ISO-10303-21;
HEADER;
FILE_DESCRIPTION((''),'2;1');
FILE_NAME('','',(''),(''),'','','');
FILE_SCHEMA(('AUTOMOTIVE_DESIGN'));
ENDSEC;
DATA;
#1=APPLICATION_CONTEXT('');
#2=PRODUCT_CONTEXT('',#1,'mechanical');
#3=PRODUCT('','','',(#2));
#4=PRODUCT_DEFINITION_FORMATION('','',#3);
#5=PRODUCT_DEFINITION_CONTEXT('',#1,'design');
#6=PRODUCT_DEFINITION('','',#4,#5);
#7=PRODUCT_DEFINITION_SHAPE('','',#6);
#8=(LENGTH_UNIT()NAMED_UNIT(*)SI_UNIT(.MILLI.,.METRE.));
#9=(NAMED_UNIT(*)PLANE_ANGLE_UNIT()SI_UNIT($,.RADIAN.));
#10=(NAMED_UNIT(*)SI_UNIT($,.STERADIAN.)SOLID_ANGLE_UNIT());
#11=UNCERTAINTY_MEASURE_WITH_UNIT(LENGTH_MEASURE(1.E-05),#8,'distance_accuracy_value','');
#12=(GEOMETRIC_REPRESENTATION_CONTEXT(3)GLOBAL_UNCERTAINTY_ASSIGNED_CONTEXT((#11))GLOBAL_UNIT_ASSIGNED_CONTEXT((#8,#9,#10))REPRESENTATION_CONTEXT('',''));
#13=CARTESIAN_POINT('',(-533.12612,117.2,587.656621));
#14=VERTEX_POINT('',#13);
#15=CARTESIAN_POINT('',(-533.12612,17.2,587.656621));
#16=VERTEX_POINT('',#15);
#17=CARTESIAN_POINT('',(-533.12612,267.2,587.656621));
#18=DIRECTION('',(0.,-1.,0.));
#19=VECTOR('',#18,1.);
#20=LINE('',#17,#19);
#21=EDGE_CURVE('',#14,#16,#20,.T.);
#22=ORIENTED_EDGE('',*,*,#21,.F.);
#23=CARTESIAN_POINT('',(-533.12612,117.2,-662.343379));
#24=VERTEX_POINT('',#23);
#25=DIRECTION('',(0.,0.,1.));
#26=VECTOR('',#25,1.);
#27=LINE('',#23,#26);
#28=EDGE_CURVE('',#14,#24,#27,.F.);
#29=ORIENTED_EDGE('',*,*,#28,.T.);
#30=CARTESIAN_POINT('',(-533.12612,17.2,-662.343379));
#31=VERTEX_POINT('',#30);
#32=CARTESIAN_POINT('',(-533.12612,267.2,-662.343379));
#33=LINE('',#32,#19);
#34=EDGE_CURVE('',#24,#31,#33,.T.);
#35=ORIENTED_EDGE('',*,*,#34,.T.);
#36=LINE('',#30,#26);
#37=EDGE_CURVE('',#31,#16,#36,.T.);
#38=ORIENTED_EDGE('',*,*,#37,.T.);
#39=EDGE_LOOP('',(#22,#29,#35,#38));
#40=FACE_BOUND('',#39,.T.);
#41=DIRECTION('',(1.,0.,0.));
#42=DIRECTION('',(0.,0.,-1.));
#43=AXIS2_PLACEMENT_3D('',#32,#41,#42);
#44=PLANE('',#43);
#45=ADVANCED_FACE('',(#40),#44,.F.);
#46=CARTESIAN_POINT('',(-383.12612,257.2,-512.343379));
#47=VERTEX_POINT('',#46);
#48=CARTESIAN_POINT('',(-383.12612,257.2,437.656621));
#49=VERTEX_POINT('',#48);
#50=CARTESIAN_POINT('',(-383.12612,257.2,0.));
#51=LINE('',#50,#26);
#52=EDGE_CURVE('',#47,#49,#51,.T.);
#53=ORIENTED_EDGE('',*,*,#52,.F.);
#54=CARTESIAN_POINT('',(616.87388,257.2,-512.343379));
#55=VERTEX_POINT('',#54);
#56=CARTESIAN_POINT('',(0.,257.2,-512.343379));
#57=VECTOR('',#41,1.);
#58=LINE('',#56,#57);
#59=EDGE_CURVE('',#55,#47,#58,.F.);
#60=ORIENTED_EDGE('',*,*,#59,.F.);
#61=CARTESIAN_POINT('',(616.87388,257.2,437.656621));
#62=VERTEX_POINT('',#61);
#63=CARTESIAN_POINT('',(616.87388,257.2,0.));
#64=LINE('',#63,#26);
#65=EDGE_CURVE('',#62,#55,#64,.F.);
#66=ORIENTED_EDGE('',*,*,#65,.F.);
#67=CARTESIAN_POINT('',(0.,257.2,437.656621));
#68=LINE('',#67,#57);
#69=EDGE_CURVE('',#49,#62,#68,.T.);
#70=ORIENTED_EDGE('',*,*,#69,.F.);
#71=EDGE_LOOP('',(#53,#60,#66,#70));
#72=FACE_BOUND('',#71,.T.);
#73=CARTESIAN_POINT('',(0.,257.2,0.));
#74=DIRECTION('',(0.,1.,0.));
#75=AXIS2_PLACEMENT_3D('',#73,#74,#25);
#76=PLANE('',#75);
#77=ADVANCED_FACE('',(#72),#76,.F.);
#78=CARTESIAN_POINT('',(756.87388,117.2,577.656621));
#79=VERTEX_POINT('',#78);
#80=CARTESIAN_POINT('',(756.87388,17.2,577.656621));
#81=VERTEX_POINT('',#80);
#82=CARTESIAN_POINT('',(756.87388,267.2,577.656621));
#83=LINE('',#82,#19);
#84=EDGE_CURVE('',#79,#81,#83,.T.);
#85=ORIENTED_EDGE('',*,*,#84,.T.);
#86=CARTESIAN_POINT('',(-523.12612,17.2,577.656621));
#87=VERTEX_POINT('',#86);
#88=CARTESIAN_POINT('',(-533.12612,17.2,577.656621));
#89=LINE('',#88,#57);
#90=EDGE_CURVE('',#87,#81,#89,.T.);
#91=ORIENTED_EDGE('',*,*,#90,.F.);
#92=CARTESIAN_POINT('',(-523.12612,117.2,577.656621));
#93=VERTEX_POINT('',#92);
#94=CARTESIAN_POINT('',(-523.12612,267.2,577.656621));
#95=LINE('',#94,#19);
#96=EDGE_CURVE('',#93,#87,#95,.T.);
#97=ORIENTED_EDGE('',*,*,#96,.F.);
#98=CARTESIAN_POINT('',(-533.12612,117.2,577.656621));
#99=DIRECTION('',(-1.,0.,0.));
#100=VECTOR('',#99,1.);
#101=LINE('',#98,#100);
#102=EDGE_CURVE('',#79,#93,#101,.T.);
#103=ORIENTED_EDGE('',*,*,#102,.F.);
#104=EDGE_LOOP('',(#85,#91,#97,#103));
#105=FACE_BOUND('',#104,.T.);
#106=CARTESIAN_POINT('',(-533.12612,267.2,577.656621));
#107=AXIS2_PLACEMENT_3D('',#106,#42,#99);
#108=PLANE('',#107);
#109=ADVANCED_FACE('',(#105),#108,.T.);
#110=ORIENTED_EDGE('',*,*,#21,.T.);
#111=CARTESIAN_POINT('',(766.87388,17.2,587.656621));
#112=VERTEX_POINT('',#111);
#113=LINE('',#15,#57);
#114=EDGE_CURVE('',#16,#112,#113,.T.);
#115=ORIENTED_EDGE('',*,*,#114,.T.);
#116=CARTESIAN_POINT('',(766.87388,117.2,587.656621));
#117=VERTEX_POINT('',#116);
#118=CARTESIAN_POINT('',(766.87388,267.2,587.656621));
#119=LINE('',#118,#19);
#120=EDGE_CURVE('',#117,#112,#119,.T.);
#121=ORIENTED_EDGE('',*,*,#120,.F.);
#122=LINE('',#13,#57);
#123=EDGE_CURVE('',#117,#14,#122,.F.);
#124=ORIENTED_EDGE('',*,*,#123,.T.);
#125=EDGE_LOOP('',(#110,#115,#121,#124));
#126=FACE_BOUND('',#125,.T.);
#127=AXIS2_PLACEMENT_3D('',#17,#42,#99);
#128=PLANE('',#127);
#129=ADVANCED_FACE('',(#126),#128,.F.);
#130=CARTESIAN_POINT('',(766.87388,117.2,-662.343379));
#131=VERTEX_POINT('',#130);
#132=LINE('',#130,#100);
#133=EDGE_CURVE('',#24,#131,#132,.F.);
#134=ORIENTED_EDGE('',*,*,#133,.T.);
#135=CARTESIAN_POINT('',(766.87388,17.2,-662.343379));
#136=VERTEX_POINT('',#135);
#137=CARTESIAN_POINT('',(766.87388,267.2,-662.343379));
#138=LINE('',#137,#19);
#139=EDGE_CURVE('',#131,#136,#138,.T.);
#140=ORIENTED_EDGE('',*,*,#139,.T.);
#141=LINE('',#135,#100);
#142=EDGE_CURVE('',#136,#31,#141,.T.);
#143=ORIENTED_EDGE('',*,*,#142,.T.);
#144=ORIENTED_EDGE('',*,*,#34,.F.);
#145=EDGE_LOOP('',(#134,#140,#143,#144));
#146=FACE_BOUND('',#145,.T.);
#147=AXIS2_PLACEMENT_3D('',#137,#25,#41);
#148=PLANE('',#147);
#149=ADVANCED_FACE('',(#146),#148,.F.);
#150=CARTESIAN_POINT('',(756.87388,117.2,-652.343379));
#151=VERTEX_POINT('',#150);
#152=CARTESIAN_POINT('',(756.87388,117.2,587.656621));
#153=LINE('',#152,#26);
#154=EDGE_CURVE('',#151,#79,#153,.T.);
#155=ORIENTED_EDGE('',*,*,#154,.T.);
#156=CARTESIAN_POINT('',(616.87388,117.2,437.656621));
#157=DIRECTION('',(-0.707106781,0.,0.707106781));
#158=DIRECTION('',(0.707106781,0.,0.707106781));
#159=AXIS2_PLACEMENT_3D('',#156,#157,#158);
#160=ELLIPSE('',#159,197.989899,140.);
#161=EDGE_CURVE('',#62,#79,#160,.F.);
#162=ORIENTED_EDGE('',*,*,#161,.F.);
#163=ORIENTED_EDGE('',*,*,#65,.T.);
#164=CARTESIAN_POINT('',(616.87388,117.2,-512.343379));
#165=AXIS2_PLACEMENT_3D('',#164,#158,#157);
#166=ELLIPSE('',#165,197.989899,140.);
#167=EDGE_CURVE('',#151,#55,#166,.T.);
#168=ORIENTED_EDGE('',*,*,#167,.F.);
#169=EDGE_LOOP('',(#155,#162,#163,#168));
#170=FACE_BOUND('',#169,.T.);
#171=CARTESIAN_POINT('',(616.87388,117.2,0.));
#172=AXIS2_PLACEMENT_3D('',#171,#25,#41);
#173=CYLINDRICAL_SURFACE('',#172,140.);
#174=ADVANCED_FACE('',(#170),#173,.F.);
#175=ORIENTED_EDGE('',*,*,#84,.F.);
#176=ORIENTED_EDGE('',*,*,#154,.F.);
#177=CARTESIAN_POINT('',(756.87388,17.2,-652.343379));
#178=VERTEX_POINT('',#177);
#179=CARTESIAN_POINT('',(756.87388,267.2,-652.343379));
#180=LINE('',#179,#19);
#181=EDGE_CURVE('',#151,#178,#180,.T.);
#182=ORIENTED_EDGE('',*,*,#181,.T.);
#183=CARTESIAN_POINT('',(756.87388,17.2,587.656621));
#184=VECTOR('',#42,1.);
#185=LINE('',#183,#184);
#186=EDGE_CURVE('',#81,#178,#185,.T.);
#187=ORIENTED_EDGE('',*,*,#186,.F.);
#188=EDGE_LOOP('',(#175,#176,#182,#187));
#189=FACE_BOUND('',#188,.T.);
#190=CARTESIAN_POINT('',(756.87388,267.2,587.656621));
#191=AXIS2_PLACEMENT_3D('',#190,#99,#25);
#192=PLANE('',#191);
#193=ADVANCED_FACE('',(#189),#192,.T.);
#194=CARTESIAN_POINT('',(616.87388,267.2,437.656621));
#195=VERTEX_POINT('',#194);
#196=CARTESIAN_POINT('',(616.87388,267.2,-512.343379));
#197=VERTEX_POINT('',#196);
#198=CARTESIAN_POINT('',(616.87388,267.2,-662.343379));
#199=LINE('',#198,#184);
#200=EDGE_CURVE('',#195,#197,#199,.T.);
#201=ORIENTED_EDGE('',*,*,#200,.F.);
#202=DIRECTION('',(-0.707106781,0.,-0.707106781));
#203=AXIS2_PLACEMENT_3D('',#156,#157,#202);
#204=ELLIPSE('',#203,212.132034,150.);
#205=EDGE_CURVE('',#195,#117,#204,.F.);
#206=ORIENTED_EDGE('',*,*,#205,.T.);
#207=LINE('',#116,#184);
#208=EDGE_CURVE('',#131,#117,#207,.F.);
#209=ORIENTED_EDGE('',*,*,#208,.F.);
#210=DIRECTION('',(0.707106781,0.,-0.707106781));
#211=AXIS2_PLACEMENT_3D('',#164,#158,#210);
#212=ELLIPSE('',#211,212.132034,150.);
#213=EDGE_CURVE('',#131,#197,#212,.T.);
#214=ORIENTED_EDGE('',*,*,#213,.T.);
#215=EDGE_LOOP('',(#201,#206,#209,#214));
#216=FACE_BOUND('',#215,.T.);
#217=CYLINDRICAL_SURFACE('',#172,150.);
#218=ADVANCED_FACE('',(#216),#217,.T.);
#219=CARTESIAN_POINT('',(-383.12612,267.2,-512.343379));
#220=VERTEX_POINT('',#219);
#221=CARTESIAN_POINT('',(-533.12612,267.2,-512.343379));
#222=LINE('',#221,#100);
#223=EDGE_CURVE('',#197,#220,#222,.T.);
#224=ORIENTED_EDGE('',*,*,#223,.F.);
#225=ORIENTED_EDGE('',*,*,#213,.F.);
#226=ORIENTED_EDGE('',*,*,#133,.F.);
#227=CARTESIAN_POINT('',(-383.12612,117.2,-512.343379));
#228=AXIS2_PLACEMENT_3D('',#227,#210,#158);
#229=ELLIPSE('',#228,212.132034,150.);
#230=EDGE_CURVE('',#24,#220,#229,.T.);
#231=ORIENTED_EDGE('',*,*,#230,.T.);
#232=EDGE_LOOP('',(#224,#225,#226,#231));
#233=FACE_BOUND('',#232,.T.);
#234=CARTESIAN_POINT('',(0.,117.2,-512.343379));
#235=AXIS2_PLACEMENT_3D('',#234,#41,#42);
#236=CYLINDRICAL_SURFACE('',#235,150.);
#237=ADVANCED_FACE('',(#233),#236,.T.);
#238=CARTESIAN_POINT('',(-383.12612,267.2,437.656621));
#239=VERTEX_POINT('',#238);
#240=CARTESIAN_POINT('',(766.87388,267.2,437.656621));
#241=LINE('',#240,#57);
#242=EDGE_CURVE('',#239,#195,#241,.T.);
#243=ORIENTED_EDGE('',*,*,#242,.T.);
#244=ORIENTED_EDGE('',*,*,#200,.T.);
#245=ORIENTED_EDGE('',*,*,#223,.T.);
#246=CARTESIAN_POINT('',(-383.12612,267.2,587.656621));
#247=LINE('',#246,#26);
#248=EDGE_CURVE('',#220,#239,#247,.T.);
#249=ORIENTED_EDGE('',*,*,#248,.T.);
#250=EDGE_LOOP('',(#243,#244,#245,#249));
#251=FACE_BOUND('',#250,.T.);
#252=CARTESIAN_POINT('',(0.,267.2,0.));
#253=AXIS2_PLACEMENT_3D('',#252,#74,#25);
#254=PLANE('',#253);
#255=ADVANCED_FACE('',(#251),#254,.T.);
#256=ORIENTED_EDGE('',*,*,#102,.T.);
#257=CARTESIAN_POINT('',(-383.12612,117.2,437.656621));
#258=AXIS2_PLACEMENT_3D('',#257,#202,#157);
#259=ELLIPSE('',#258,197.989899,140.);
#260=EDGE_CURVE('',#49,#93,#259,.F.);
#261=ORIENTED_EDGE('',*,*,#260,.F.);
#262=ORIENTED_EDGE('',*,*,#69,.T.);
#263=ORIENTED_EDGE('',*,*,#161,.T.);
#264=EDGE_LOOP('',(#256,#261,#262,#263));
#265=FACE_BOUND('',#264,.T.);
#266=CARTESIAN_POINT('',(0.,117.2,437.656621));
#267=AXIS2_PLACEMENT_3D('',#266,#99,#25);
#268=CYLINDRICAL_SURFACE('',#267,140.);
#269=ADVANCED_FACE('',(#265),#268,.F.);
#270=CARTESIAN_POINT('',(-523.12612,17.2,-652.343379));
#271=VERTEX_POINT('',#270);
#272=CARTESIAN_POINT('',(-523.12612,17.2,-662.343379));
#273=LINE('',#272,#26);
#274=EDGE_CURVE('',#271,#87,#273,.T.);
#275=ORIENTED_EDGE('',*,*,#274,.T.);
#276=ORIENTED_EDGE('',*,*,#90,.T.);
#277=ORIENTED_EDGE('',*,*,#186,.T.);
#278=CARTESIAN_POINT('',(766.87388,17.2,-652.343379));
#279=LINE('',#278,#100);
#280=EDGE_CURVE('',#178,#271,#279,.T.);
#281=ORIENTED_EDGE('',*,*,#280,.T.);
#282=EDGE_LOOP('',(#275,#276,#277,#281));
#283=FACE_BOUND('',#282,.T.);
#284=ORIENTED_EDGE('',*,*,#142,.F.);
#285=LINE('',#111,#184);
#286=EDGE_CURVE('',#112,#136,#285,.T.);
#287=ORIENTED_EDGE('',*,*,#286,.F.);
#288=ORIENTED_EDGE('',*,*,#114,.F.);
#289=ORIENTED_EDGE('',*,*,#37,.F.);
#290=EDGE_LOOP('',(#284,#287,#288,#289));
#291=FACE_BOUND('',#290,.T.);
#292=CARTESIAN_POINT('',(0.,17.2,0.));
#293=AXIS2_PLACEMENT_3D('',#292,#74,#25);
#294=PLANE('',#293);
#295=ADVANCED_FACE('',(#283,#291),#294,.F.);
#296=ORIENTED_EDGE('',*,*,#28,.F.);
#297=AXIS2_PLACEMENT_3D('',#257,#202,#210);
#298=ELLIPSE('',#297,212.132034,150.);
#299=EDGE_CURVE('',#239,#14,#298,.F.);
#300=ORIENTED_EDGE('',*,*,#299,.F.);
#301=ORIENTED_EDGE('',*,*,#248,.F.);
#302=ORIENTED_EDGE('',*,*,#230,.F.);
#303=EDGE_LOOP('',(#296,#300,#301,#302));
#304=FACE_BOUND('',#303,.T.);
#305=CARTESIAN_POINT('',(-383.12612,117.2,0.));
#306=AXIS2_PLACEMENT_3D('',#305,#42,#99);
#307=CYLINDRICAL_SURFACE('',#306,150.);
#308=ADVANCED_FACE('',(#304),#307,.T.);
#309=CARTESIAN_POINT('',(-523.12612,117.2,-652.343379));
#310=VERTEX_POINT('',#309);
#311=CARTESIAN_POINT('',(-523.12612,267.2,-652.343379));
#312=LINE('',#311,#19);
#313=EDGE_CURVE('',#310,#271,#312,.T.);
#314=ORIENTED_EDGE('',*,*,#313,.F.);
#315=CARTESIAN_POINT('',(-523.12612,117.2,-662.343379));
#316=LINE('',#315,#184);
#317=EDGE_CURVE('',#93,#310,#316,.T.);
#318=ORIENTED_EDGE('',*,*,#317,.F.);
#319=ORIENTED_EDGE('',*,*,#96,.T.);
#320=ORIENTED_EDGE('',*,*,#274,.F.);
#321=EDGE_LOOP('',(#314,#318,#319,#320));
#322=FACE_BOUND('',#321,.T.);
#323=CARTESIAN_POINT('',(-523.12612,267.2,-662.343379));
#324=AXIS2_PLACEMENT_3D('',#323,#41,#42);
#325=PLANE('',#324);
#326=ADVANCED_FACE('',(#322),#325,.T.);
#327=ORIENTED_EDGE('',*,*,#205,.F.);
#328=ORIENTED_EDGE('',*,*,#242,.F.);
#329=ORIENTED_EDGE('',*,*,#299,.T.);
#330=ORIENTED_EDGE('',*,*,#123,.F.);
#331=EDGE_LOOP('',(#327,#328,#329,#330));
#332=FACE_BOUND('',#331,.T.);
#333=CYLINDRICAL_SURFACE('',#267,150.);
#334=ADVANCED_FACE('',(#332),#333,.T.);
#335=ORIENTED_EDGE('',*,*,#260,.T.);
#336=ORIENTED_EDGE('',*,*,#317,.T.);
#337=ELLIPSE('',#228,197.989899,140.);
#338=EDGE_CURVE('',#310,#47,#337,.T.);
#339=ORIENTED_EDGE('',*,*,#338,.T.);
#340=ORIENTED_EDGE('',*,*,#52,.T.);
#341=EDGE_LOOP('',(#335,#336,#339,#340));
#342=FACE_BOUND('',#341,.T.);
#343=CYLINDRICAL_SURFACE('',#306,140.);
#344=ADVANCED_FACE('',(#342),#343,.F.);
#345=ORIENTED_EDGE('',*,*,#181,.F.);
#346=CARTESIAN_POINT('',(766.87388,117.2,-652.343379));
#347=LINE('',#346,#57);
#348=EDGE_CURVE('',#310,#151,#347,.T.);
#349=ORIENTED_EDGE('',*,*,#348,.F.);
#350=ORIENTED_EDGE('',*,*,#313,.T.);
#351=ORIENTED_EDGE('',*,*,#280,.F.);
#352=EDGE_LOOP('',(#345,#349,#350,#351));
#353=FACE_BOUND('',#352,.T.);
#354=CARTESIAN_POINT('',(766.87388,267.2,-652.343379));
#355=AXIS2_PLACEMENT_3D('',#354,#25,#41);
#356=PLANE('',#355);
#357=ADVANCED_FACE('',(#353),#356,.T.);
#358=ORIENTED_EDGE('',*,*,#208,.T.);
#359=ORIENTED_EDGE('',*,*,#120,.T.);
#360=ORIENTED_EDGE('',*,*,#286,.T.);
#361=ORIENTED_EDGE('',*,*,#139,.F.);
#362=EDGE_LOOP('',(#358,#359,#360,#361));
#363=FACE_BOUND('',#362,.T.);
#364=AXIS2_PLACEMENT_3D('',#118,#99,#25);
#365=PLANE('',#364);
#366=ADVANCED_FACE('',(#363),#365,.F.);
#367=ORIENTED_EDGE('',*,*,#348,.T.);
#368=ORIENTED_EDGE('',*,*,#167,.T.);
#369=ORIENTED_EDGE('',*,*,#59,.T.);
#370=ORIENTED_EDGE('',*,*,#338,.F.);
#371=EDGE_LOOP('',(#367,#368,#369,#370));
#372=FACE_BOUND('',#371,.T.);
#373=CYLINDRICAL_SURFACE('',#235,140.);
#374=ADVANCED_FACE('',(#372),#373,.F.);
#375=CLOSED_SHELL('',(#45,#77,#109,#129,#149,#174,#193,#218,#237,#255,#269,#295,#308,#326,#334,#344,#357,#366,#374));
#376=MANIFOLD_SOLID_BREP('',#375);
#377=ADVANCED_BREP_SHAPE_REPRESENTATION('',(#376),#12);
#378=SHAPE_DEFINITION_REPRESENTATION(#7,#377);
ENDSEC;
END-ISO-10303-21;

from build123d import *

# Parameters (mm, degrees)
SKETCH2_W           = 1300
SKETCH2_H           = 1250
BOSS_EXTRUDE1_DEPTH = 250
FILLET2_R           = 150
SHELL3_T            = -10


with BuildPart() as part:
    # Sketch2 → Boss-Extrude1 (new body)
    with BuildSketch(Plane(origin=(0, 17.2, 0), x_dir=(1, 0, 0), z_dir=(0, 1, 0))):
        with Locations((116.873880354, 37.343378517)):
            Rectangle(SKETCH2_W, SKETCH2_H)
    extrude(amount=BOSS_EXTRUDE1_DEPTH)

    # Fillet2
    fillet2_edges = [part.edges().sort_by_distance(p)[0] for p in [
        (116.873880354, 267.2, 587.656621483),
        (766.873880354, 267.2, -37.343378517),
        (116.873880354, 267.2, -662.343378517),
        (-533.126119646, 267.2, -37.343378517),
    ]]
    fillet(fillet2_edges, radius=FILLET2_R)

    # Shell3
    shell3_openings = [part.faces().sort_by_distance(p)[0] for p in [
        (116.873880354, 17.2, -37.343378517),
    ]]
    offset(amount=SHELL3_T, openings=shell3_openings)


solid = part.part
